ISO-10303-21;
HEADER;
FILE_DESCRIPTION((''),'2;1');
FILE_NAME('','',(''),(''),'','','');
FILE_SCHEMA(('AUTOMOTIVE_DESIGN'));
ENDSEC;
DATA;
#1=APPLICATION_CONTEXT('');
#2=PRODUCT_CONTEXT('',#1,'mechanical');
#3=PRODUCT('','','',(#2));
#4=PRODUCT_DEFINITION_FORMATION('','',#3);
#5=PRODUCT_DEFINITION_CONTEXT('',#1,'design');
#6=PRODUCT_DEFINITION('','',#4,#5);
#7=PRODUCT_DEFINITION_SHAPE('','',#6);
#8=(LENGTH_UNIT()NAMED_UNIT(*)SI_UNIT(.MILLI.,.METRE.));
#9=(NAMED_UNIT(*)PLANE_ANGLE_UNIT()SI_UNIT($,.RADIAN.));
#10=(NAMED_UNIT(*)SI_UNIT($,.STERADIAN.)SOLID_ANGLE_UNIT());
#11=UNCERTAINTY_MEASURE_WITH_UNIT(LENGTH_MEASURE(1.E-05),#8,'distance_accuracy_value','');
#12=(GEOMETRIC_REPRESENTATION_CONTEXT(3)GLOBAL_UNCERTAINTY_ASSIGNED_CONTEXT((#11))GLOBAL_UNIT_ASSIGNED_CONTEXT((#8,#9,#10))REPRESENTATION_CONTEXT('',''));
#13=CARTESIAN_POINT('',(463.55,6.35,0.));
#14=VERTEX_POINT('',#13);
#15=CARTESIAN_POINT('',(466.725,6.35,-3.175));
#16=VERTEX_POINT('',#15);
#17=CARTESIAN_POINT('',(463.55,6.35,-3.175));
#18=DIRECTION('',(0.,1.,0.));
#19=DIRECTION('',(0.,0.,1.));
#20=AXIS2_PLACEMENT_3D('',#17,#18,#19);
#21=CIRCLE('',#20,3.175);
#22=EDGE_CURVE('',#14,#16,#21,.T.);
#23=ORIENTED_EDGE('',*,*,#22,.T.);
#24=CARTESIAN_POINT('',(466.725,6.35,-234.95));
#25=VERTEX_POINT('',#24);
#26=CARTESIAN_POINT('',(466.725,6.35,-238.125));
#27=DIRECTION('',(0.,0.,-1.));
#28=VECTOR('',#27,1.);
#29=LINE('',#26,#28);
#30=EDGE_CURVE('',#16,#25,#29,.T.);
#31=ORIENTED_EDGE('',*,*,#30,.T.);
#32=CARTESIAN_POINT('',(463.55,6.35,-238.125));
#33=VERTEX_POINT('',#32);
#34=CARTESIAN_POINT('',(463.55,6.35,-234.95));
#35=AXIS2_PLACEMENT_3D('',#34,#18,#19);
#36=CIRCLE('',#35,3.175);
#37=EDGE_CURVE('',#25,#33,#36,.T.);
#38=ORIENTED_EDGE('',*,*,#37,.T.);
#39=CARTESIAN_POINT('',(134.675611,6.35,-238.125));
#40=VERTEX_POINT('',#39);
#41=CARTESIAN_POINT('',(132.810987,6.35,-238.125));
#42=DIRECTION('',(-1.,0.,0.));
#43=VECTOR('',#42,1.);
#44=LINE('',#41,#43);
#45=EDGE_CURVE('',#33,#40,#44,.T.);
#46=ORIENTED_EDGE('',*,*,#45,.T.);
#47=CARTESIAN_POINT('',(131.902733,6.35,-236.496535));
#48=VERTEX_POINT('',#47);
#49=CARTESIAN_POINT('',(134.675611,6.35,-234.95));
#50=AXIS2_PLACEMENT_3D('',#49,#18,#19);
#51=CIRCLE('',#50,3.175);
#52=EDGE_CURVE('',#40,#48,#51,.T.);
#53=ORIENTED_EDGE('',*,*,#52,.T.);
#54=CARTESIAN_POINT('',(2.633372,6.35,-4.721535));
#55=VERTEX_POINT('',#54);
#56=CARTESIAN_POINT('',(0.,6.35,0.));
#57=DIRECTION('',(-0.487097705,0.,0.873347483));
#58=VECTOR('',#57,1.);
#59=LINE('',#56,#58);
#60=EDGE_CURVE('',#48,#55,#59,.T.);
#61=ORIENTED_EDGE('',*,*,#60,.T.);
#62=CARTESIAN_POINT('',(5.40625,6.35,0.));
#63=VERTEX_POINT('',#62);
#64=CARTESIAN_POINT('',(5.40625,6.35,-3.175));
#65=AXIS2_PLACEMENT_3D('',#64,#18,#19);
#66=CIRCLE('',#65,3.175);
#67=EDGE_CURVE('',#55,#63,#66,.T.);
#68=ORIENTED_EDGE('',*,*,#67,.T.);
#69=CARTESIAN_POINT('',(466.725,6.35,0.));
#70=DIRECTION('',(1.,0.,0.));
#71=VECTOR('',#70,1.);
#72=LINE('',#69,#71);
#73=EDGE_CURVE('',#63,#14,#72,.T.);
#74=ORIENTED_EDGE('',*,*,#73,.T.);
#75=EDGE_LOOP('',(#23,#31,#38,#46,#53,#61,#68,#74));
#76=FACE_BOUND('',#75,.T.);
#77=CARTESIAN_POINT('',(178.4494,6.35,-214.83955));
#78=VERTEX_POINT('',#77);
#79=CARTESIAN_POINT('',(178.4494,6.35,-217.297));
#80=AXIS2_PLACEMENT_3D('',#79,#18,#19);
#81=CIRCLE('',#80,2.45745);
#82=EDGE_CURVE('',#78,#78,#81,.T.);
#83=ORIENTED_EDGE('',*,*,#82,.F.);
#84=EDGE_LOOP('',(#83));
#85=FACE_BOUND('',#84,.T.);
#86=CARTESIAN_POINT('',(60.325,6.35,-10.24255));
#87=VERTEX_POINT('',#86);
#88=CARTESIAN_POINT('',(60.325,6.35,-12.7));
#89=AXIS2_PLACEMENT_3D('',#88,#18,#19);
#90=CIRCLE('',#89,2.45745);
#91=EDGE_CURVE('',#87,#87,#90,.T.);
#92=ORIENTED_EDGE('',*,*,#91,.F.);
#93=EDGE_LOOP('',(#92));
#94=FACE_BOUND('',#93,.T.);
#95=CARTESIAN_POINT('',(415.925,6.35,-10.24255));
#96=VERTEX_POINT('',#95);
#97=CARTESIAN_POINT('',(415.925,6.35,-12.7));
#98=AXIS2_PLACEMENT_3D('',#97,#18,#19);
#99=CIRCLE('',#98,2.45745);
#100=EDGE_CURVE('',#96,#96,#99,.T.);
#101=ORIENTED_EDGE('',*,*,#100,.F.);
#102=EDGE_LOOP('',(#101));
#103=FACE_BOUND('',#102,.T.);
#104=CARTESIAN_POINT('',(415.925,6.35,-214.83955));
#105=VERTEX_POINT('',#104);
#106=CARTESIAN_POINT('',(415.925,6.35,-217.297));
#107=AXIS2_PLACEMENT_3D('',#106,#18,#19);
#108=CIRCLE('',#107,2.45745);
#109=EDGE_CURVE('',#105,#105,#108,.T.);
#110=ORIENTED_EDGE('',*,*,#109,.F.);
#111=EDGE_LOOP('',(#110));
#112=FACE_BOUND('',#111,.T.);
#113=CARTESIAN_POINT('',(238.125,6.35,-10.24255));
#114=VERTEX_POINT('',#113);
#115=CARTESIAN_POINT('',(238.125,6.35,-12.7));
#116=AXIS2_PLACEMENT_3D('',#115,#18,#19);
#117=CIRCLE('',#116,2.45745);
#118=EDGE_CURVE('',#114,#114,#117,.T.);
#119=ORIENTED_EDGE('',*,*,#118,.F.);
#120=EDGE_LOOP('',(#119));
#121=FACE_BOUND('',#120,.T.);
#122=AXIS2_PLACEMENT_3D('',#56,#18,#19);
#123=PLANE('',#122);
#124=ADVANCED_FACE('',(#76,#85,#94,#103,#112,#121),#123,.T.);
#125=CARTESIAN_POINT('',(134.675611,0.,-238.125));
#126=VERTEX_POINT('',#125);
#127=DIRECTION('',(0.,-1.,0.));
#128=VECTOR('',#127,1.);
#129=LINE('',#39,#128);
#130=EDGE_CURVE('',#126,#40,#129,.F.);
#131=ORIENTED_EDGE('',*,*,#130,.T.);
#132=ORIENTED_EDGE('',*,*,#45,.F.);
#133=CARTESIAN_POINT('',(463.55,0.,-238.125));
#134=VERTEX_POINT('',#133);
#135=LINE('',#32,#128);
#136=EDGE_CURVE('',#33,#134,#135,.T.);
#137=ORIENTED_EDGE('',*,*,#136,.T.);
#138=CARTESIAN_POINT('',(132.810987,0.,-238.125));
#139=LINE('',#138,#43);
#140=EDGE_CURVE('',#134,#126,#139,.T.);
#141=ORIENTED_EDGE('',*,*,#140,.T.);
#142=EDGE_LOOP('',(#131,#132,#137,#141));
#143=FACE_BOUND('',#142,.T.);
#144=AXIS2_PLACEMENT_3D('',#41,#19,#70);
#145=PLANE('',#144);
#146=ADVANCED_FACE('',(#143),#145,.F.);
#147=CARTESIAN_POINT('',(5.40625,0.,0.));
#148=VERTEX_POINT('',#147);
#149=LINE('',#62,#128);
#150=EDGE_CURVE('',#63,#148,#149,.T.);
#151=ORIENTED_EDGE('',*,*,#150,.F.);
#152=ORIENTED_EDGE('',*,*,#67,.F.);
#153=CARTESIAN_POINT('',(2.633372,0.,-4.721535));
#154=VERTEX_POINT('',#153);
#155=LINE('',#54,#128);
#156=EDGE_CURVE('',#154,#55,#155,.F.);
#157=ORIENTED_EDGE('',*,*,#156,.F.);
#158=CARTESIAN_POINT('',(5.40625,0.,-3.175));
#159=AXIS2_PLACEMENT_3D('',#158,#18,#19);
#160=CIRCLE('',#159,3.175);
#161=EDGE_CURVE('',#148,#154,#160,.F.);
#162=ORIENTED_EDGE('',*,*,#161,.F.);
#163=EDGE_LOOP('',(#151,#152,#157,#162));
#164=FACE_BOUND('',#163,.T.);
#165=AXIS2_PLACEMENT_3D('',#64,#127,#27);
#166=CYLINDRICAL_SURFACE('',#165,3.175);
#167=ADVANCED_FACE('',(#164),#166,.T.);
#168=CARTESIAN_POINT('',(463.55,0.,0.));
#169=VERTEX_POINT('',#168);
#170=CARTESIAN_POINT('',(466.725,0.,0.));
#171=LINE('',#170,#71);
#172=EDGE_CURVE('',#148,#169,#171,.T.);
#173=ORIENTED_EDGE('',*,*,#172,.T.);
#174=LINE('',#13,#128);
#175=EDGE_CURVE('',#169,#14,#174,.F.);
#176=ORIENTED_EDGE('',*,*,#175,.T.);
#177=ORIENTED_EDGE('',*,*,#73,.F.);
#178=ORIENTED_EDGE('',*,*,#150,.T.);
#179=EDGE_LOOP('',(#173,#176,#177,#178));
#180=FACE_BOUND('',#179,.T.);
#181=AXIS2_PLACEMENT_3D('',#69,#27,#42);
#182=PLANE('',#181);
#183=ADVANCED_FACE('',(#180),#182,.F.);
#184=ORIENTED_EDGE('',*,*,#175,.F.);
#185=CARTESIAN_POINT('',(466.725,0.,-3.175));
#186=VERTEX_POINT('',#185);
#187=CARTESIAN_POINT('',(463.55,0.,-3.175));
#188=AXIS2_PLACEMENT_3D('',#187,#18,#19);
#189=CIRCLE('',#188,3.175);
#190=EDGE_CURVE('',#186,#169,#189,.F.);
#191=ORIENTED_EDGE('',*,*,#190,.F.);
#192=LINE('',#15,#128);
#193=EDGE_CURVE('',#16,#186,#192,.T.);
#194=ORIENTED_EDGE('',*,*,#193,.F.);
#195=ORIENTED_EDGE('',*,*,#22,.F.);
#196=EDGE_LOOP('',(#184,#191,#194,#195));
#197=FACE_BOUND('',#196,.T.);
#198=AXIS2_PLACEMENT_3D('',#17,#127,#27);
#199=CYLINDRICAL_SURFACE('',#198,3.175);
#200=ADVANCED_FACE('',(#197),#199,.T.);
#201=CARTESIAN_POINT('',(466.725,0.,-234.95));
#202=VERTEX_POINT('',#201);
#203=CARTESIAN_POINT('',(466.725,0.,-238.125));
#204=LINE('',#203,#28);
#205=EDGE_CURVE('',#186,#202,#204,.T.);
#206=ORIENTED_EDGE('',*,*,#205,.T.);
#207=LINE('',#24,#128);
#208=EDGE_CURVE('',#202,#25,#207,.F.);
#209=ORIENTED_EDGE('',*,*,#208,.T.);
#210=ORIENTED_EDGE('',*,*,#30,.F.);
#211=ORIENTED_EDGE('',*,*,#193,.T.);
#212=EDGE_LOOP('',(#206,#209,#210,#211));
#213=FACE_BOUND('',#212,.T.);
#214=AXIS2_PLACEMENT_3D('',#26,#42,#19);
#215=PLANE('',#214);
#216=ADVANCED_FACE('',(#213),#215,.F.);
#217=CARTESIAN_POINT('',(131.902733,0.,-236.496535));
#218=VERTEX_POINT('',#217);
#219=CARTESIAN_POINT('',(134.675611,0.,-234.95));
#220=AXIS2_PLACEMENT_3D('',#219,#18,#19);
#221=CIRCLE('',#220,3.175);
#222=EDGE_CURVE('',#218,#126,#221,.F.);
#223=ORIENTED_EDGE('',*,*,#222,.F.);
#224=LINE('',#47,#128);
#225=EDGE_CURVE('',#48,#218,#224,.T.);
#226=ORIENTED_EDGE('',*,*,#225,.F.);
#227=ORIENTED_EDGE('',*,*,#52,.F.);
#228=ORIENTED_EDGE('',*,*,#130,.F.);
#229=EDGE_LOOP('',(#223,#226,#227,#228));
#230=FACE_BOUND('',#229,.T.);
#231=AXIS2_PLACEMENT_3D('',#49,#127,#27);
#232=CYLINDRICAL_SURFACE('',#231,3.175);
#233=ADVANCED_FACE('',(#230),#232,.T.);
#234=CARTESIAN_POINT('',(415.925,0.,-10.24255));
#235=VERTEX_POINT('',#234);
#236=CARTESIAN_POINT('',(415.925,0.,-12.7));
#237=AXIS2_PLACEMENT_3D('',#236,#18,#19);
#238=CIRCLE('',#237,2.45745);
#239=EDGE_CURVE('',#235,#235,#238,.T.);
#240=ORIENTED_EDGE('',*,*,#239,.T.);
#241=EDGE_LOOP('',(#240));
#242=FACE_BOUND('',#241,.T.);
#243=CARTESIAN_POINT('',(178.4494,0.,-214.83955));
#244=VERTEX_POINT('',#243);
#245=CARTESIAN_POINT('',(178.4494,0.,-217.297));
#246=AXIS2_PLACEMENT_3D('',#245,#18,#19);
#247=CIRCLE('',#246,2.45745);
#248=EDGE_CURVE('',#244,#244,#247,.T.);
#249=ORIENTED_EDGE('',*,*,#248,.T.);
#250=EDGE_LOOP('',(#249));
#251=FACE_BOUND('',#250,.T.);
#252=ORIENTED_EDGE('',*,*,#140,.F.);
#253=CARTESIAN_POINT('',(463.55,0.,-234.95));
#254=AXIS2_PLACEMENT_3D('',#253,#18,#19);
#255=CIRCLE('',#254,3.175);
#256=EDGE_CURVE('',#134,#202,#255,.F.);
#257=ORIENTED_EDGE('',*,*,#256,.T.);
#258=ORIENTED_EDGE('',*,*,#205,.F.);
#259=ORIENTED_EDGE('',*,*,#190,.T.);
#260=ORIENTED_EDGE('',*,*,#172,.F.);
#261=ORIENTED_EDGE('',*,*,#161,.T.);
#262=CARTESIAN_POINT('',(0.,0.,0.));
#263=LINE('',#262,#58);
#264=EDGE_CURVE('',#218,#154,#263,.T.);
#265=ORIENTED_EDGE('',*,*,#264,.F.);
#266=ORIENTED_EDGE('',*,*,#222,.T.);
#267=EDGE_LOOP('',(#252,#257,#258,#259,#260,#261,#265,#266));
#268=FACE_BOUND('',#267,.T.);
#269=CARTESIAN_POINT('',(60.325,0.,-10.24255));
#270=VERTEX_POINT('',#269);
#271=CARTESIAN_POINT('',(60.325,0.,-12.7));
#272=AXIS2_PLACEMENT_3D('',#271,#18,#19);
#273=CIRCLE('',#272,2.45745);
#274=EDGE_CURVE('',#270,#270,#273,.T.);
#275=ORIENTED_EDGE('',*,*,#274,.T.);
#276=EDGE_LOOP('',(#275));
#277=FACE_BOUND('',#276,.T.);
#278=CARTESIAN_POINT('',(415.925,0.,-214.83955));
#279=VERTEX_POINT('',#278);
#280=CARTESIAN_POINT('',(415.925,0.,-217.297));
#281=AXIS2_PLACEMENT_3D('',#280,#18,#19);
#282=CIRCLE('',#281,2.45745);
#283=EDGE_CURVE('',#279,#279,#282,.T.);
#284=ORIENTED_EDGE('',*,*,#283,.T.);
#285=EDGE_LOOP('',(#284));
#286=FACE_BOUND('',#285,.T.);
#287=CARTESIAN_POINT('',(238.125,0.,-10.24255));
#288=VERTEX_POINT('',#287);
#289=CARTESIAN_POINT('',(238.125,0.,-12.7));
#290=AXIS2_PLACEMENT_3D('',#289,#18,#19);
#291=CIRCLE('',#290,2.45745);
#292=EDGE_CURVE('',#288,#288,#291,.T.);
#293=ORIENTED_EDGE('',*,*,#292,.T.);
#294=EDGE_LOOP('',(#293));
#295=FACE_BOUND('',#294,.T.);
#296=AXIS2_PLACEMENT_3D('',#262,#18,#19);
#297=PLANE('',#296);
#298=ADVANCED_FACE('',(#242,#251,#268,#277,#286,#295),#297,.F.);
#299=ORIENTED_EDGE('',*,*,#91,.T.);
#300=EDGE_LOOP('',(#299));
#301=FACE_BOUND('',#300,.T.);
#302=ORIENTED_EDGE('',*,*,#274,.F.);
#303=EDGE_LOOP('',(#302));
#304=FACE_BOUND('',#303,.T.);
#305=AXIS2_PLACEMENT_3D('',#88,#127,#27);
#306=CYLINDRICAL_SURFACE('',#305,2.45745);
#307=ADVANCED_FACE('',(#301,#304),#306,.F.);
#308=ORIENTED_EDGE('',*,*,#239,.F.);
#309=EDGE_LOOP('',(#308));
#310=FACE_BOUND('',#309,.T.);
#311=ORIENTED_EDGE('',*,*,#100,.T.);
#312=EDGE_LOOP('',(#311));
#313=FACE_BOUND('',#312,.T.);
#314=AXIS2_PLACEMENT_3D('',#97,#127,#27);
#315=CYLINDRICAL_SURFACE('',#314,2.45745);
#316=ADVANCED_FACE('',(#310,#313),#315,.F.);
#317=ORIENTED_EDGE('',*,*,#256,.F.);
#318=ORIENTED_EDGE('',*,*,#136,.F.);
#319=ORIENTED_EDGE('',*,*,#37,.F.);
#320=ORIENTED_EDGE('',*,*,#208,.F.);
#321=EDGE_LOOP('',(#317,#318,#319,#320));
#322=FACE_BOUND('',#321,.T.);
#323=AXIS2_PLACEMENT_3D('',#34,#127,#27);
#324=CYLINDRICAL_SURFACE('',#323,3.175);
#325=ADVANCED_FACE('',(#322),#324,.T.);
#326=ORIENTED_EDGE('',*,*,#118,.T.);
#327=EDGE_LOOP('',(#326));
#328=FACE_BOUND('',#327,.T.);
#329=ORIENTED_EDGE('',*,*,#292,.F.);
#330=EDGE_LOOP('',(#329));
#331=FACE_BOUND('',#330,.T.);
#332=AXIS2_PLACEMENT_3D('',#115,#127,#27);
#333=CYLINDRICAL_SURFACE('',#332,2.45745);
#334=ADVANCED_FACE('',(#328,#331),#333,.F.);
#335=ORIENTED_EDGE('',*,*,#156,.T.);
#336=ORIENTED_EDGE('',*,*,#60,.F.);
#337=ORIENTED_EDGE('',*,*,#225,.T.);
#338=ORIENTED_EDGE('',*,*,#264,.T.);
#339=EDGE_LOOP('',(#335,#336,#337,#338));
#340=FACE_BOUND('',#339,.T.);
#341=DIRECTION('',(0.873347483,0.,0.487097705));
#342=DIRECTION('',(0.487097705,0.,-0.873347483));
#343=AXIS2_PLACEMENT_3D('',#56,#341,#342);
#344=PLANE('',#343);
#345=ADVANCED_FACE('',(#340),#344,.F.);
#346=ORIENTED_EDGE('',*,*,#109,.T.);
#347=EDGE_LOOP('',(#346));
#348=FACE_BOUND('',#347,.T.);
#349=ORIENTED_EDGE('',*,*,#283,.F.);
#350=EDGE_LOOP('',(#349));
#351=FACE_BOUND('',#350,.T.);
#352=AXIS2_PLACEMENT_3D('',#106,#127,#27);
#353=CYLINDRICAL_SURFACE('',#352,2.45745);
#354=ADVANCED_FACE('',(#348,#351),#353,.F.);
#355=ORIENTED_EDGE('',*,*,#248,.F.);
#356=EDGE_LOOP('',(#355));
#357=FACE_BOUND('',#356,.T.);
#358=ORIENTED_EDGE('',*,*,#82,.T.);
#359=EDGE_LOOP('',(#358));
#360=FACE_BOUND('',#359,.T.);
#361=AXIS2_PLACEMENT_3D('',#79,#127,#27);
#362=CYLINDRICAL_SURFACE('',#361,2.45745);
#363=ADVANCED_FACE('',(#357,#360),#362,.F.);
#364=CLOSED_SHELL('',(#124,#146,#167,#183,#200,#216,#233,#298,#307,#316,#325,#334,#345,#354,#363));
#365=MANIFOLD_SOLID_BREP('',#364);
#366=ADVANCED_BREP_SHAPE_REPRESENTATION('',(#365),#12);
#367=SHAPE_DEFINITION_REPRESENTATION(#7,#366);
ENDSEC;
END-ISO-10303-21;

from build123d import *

# Parameters (mm, degrees)
SKETCH1_R           = 2.45745
BOSS_EXTRUDE1_DEPTH = 6.35
FILLET1_R           = 3.175


with BuildPart() as part:
    # Sketch1 → Boss-Extrude1 (new body)
    with BuildSketch(Plane(origin=(0, 0, 0), x_dir=(1, 0, 0), z_dir=(0, 1, 0))):
        Polygon((0, 0), (132.810986877, 238.125), (466.725, 238.125), (466.725, 0), align=None)
        with Locations((415.925, 217.297)):
            Circle(SKETCH1_R, mode=Mode.SUBTRACT)
        with Locations((415.925, 12.7)):
            Circle(SKETCH1_R, mode=Mode.SUBTRACT)
        with Locations((238.125, 12.7)):
            Circle(SKETCH1_R, mode=Mode.SUBTRACT)
        with Locations((60.325, 12.7)):
            Circle(SKETCH1_R, mode=Mode.SUBTRACT)
        with Locations((178.449400022, 217.297)):
            Circle(SKETCH1_R, mode=Mode.SUBTRACT)
    extrude(amount=BOSS_EXTRUDE1_DEPTH)

    # Fillet1
    fillet1_edges = [part.edges().sort_by_distance(p)[0] for p in [
        (0, 3.175, 0),
        (132.810986877, 3.175, -238.125),
        (466.725, 3.175, -238.125),
        (466.725, 3.175, 0),
    ]]
    fillet(fillet1_edges, radius=FILLET1_R)


solid = part.part
